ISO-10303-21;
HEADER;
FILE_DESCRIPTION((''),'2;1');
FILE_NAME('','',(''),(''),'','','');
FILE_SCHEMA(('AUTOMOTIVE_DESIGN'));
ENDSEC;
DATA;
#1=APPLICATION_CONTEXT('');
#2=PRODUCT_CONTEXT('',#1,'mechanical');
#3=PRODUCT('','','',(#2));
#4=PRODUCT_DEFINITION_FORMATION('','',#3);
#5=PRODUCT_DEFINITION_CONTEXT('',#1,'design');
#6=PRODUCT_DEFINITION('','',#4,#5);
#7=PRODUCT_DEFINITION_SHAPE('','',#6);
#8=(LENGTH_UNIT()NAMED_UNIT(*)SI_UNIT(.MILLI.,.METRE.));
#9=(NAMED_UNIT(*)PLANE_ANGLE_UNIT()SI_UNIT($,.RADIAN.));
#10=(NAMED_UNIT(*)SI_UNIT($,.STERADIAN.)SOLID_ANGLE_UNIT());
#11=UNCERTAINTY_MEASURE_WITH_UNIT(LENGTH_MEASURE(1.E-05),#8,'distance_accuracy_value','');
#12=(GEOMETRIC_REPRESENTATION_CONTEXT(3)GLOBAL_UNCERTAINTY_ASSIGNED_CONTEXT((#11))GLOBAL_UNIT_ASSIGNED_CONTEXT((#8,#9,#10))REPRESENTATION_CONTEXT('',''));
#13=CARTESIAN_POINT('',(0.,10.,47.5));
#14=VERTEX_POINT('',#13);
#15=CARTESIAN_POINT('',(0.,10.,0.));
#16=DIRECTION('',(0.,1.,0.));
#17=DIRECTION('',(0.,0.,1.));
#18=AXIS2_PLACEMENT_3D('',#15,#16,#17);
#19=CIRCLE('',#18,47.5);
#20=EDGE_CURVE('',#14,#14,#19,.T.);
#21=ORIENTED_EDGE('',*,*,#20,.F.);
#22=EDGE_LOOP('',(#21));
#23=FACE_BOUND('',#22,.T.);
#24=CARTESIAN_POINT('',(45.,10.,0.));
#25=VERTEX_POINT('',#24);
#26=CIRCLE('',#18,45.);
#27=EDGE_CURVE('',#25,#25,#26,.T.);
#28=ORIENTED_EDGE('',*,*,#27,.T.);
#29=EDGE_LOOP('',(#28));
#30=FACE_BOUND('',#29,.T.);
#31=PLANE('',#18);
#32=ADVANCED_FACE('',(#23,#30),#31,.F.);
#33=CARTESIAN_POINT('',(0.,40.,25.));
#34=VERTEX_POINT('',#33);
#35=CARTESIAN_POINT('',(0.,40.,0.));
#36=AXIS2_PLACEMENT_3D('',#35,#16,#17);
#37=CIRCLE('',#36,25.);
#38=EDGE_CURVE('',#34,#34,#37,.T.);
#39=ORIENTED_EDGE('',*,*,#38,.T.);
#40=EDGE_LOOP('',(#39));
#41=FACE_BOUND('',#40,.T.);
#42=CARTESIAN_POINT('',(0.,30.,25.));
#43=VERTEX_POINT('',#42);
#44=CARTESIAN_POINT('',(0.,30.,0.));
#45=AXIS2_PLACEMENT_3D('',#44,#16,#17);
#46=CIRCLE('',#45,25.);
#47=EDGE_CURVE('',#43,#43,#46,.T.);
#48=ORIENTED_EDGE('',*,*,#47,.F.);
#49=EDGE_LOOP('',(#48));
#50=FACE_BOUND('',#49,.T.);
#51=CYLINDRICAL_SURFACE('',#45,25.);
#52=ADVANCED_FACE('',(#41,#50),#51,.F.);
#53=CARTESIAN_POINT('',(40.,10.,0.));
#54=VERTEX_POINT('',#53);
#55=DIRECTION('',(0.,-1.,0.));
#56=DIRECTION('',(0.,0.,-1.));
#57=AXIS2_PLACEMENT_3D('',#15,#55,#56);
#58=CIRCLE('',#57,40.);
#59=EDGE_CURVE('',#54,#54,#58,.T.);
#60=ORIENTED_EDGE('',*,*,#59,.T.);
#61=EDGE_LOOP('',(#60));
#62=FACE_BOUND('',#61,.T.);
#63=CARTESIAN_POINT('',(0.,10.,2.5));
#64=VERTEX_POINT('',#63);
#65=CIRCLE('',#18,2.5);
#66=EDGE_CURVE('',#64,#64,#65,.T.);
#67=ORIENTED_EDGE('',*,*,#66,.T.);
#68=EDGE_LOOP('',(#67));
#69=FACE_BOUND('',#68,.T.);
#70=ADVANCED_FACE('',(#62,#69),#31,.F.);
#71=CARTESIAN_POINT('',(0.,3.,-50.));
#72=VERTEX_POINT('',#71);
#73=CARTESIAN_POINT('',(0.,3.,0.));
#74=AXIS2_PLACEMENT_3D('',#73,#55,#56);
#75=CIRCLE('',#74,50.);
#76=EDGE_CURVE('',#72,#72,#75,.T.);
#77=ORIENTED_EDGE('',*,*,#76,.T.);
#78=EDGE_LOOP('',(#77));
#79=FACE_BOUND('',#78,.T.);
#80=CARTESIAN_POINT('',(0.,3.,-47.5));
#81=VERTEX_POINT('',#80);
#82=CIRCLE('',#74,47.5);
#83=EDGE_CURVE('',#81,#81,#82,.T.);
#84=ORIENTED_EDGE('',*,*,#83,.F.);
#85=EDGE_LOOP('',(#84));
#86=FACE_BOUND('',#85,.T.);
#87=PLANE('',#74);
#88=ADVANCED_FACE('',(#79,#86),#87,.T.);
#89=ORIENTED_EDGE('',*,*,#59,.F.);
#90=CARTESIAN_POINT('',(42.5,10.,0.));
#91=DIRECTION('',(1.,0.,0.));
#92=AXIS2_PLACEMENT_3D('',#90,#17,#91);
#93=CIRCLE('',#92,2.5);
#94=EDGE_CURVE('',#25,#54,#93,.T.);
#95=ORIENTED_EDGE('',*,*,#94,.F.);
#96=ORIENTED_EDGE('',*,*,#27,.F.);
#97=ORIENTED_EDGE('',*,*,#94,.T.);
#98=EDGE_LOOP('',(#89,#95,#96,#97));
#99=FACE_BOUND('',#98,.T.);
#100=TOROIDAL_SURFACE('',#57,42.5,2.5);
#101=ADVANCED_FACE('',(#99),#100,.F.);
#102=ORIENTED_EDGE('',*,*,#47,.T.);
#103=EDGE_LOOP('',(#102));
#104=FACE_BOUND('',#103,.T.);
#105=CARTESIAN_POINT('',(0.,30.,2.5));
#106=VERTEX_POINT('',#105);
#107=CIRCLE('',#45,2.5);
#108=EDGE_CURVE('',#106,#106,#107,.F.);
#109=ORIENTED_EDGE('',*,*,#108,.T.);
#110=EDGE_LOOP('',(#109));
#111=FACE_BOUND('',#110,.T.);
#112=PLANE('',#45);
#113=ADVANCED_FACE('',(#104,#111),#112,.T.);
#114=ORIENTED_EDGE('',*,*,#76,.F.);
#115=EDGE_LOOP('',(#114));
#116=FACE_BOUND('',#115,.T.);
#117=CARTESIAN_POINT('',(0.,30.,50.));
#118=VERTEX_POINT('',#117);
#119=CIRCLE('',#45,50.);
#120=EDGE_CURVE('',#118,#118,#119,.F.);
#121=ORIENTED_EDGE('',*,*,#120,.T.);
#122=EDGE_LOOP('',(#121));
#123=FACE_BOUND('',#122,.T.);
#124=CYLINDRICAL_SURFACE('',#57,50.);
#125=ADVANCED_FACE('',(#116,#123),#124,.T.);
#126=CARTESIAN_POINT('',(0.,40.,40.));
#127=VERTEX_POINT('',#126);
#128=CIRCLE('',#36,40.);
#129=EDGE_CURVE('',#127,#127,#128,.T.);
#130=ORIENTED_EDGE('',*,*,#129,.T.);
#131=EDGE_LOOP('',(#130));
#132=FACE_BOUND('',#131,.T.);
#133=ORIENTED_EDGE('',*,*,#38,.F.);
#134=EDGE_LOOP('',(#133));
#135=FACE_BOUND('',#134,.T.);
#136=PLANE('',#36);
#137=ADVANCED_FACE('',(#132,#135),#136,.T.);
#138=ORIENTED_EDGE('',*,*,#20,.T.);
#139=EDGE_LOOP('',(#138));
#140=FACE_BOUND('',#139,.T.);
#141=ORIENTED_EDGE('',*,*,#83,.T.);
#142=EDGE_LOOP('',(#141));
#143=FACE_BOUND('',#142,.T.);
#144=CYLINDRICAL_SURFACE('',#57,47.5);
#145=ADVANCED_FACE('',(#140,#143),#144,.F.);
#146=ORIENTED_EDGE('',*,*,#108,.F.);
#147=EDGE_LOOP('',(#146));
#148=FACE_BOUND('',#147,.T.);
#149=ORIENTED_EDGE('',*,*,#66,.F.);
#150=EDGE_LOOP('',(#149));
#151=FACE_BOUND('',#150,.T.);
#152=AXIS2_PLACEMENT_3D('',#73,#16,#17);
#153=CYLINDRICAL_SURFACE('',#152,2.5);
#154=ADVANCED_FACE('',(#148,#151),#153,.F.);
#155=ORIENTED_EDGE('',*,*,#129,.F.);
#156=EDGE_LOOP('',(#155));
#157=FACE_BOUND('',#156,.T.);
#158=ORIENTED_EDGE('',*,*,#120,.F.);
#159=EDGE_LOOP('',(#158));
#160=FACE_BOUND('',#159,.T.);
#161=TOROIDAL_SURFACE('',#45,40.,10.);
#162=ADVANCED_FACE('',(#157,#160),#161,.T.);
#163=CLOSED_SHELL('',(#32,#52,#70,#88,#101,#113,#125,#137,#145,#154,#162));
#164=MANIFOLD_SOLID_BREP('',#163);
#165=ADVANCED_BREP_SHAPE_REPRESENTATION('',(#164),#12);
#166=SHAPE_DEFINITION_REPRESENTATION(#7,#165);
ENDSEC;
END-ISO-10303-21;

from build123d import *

# Parameters (mm, degrees)
SKETCH1_R               = 50
SKETCH1_R_2             = 47.5
BOSS_EXTRUDE1_DEPTH     = 10
SKETCH2_R               = 50
BOSS_EXTRUDE2_DEPTH     = 30
SKETCH4_R               = 2.5
SKETCH6_R               = 50
CUT_EXTRUDE2_DEPTH      = 3
CUT_EXTRUDE3_DEPTH      = 80.806014811
CUT_EXTRUDE3_DEPTH_BACK = 80.806014811
SKETCH7_R               = 2.5
FILLET1_R               = 10
SKETCH9_R               = 25
CUT_EXTRUDE5_DEPTH      = 10


with BuildPart() as part:
    # Sketch1 → Boss-Extrude1 (new body)
    with BuildSketch(Plane(origin=(0, 0, 0), x_dir=(1, 0, 0), z_dir=(0, 1, 0))):
        with Locations(Location((0, 0, 0), (0, 0, 270))):
            Circle(SKETCH1_R)
        with Locations(Location((0, 0, 0), (0, 0, 270))):
            Circle(SKETCH1_R_2, mode=Mode.SUBTRACT)
    extrude(amount=BOSS_EXTRUDE1_DEPTH)

    # Sketch2 → Boss-Extrude2 (add)
    with BuildSketch(Plane(origin=(0, 10, 0), x_dir=(1, 0, 0), z_dir=(0, 1, 0))):
        with Locations(Location((0, 0, 0), (0, 0, 270))):
            Circle(SKETCH2_R)
    extrude(amount=BOSS_EXTRUDE2_DEPTH)

    # Cut-Sweep1: sweep along a path in Sketch3
    with BuildLine(Plane.XZ.offset(-10)) as cut_sweep1_path:
        CenterArc((0, 0), 42.5, 0, 360)
    # Sketch4 → Cut-Sweep1 (sweep, cut)
    with BuildSketch(Plane.XY):
        with Locations((42.5, 10)):
            Circle(SKETCH4_R)
    sweep(path=cut_sweep1_path.line, mode=Mode.SUBTRACT)

    # Sketch6 → Cut-Extrude2 (cut)
    with BuildSketch(Plane.XZ):
        with Locations(Location((0, 0, 0), (0, 0, 270))):
            Circle(SKETCH6_R)
    extrude(amount=-CUT_EXTRUDE2_DEPTH, mode=Mode.SUBTRACT)

    # Sketch7 → Cut-Extrude3 (cut, two sides: drawn at the far end of the back side and taken through both)
    with BuildSketch(Plane(origin=(0, 40, 0), x_dir=(1, 0, 0), z_dir=(0, 1, 0)).offset(-CUT_EXTRUDE3_DEPTH_BACK)):
        with Locations(Location((0, 0, 0), (0, 0, 270))):
            Circle(SKETCH7_R)
    extrude(amount=CUT_EXTRUDE3_DEPTH + CUT_EXTRUDE3_DEPTH_BACK, mode=Mode.SUBTRACT)

    # Fillet1
    fillet1_edges = [part.edges().sort_by_distance(p)[0] for p in [
        (0, 40, -50),
    ]]
    fillet(fillet1_edges, radius=FILLET1_R)

    # Sketch9 → Cut-Extrude5 (cut)
    with BuildSketch(Plane(origin=(0, 40, 0), x_dir=(1, 0, 0), z_dir=(0, 1, 0))):
        with Locations(Location((0, 0, 0), (0, 0, 270))):
            Circle(SKETCH9_R)
    extrude(amount=-CUT_EXTRUDE5_DEPTH, mode=Mode.SUBTRACT)


solid = part.part
